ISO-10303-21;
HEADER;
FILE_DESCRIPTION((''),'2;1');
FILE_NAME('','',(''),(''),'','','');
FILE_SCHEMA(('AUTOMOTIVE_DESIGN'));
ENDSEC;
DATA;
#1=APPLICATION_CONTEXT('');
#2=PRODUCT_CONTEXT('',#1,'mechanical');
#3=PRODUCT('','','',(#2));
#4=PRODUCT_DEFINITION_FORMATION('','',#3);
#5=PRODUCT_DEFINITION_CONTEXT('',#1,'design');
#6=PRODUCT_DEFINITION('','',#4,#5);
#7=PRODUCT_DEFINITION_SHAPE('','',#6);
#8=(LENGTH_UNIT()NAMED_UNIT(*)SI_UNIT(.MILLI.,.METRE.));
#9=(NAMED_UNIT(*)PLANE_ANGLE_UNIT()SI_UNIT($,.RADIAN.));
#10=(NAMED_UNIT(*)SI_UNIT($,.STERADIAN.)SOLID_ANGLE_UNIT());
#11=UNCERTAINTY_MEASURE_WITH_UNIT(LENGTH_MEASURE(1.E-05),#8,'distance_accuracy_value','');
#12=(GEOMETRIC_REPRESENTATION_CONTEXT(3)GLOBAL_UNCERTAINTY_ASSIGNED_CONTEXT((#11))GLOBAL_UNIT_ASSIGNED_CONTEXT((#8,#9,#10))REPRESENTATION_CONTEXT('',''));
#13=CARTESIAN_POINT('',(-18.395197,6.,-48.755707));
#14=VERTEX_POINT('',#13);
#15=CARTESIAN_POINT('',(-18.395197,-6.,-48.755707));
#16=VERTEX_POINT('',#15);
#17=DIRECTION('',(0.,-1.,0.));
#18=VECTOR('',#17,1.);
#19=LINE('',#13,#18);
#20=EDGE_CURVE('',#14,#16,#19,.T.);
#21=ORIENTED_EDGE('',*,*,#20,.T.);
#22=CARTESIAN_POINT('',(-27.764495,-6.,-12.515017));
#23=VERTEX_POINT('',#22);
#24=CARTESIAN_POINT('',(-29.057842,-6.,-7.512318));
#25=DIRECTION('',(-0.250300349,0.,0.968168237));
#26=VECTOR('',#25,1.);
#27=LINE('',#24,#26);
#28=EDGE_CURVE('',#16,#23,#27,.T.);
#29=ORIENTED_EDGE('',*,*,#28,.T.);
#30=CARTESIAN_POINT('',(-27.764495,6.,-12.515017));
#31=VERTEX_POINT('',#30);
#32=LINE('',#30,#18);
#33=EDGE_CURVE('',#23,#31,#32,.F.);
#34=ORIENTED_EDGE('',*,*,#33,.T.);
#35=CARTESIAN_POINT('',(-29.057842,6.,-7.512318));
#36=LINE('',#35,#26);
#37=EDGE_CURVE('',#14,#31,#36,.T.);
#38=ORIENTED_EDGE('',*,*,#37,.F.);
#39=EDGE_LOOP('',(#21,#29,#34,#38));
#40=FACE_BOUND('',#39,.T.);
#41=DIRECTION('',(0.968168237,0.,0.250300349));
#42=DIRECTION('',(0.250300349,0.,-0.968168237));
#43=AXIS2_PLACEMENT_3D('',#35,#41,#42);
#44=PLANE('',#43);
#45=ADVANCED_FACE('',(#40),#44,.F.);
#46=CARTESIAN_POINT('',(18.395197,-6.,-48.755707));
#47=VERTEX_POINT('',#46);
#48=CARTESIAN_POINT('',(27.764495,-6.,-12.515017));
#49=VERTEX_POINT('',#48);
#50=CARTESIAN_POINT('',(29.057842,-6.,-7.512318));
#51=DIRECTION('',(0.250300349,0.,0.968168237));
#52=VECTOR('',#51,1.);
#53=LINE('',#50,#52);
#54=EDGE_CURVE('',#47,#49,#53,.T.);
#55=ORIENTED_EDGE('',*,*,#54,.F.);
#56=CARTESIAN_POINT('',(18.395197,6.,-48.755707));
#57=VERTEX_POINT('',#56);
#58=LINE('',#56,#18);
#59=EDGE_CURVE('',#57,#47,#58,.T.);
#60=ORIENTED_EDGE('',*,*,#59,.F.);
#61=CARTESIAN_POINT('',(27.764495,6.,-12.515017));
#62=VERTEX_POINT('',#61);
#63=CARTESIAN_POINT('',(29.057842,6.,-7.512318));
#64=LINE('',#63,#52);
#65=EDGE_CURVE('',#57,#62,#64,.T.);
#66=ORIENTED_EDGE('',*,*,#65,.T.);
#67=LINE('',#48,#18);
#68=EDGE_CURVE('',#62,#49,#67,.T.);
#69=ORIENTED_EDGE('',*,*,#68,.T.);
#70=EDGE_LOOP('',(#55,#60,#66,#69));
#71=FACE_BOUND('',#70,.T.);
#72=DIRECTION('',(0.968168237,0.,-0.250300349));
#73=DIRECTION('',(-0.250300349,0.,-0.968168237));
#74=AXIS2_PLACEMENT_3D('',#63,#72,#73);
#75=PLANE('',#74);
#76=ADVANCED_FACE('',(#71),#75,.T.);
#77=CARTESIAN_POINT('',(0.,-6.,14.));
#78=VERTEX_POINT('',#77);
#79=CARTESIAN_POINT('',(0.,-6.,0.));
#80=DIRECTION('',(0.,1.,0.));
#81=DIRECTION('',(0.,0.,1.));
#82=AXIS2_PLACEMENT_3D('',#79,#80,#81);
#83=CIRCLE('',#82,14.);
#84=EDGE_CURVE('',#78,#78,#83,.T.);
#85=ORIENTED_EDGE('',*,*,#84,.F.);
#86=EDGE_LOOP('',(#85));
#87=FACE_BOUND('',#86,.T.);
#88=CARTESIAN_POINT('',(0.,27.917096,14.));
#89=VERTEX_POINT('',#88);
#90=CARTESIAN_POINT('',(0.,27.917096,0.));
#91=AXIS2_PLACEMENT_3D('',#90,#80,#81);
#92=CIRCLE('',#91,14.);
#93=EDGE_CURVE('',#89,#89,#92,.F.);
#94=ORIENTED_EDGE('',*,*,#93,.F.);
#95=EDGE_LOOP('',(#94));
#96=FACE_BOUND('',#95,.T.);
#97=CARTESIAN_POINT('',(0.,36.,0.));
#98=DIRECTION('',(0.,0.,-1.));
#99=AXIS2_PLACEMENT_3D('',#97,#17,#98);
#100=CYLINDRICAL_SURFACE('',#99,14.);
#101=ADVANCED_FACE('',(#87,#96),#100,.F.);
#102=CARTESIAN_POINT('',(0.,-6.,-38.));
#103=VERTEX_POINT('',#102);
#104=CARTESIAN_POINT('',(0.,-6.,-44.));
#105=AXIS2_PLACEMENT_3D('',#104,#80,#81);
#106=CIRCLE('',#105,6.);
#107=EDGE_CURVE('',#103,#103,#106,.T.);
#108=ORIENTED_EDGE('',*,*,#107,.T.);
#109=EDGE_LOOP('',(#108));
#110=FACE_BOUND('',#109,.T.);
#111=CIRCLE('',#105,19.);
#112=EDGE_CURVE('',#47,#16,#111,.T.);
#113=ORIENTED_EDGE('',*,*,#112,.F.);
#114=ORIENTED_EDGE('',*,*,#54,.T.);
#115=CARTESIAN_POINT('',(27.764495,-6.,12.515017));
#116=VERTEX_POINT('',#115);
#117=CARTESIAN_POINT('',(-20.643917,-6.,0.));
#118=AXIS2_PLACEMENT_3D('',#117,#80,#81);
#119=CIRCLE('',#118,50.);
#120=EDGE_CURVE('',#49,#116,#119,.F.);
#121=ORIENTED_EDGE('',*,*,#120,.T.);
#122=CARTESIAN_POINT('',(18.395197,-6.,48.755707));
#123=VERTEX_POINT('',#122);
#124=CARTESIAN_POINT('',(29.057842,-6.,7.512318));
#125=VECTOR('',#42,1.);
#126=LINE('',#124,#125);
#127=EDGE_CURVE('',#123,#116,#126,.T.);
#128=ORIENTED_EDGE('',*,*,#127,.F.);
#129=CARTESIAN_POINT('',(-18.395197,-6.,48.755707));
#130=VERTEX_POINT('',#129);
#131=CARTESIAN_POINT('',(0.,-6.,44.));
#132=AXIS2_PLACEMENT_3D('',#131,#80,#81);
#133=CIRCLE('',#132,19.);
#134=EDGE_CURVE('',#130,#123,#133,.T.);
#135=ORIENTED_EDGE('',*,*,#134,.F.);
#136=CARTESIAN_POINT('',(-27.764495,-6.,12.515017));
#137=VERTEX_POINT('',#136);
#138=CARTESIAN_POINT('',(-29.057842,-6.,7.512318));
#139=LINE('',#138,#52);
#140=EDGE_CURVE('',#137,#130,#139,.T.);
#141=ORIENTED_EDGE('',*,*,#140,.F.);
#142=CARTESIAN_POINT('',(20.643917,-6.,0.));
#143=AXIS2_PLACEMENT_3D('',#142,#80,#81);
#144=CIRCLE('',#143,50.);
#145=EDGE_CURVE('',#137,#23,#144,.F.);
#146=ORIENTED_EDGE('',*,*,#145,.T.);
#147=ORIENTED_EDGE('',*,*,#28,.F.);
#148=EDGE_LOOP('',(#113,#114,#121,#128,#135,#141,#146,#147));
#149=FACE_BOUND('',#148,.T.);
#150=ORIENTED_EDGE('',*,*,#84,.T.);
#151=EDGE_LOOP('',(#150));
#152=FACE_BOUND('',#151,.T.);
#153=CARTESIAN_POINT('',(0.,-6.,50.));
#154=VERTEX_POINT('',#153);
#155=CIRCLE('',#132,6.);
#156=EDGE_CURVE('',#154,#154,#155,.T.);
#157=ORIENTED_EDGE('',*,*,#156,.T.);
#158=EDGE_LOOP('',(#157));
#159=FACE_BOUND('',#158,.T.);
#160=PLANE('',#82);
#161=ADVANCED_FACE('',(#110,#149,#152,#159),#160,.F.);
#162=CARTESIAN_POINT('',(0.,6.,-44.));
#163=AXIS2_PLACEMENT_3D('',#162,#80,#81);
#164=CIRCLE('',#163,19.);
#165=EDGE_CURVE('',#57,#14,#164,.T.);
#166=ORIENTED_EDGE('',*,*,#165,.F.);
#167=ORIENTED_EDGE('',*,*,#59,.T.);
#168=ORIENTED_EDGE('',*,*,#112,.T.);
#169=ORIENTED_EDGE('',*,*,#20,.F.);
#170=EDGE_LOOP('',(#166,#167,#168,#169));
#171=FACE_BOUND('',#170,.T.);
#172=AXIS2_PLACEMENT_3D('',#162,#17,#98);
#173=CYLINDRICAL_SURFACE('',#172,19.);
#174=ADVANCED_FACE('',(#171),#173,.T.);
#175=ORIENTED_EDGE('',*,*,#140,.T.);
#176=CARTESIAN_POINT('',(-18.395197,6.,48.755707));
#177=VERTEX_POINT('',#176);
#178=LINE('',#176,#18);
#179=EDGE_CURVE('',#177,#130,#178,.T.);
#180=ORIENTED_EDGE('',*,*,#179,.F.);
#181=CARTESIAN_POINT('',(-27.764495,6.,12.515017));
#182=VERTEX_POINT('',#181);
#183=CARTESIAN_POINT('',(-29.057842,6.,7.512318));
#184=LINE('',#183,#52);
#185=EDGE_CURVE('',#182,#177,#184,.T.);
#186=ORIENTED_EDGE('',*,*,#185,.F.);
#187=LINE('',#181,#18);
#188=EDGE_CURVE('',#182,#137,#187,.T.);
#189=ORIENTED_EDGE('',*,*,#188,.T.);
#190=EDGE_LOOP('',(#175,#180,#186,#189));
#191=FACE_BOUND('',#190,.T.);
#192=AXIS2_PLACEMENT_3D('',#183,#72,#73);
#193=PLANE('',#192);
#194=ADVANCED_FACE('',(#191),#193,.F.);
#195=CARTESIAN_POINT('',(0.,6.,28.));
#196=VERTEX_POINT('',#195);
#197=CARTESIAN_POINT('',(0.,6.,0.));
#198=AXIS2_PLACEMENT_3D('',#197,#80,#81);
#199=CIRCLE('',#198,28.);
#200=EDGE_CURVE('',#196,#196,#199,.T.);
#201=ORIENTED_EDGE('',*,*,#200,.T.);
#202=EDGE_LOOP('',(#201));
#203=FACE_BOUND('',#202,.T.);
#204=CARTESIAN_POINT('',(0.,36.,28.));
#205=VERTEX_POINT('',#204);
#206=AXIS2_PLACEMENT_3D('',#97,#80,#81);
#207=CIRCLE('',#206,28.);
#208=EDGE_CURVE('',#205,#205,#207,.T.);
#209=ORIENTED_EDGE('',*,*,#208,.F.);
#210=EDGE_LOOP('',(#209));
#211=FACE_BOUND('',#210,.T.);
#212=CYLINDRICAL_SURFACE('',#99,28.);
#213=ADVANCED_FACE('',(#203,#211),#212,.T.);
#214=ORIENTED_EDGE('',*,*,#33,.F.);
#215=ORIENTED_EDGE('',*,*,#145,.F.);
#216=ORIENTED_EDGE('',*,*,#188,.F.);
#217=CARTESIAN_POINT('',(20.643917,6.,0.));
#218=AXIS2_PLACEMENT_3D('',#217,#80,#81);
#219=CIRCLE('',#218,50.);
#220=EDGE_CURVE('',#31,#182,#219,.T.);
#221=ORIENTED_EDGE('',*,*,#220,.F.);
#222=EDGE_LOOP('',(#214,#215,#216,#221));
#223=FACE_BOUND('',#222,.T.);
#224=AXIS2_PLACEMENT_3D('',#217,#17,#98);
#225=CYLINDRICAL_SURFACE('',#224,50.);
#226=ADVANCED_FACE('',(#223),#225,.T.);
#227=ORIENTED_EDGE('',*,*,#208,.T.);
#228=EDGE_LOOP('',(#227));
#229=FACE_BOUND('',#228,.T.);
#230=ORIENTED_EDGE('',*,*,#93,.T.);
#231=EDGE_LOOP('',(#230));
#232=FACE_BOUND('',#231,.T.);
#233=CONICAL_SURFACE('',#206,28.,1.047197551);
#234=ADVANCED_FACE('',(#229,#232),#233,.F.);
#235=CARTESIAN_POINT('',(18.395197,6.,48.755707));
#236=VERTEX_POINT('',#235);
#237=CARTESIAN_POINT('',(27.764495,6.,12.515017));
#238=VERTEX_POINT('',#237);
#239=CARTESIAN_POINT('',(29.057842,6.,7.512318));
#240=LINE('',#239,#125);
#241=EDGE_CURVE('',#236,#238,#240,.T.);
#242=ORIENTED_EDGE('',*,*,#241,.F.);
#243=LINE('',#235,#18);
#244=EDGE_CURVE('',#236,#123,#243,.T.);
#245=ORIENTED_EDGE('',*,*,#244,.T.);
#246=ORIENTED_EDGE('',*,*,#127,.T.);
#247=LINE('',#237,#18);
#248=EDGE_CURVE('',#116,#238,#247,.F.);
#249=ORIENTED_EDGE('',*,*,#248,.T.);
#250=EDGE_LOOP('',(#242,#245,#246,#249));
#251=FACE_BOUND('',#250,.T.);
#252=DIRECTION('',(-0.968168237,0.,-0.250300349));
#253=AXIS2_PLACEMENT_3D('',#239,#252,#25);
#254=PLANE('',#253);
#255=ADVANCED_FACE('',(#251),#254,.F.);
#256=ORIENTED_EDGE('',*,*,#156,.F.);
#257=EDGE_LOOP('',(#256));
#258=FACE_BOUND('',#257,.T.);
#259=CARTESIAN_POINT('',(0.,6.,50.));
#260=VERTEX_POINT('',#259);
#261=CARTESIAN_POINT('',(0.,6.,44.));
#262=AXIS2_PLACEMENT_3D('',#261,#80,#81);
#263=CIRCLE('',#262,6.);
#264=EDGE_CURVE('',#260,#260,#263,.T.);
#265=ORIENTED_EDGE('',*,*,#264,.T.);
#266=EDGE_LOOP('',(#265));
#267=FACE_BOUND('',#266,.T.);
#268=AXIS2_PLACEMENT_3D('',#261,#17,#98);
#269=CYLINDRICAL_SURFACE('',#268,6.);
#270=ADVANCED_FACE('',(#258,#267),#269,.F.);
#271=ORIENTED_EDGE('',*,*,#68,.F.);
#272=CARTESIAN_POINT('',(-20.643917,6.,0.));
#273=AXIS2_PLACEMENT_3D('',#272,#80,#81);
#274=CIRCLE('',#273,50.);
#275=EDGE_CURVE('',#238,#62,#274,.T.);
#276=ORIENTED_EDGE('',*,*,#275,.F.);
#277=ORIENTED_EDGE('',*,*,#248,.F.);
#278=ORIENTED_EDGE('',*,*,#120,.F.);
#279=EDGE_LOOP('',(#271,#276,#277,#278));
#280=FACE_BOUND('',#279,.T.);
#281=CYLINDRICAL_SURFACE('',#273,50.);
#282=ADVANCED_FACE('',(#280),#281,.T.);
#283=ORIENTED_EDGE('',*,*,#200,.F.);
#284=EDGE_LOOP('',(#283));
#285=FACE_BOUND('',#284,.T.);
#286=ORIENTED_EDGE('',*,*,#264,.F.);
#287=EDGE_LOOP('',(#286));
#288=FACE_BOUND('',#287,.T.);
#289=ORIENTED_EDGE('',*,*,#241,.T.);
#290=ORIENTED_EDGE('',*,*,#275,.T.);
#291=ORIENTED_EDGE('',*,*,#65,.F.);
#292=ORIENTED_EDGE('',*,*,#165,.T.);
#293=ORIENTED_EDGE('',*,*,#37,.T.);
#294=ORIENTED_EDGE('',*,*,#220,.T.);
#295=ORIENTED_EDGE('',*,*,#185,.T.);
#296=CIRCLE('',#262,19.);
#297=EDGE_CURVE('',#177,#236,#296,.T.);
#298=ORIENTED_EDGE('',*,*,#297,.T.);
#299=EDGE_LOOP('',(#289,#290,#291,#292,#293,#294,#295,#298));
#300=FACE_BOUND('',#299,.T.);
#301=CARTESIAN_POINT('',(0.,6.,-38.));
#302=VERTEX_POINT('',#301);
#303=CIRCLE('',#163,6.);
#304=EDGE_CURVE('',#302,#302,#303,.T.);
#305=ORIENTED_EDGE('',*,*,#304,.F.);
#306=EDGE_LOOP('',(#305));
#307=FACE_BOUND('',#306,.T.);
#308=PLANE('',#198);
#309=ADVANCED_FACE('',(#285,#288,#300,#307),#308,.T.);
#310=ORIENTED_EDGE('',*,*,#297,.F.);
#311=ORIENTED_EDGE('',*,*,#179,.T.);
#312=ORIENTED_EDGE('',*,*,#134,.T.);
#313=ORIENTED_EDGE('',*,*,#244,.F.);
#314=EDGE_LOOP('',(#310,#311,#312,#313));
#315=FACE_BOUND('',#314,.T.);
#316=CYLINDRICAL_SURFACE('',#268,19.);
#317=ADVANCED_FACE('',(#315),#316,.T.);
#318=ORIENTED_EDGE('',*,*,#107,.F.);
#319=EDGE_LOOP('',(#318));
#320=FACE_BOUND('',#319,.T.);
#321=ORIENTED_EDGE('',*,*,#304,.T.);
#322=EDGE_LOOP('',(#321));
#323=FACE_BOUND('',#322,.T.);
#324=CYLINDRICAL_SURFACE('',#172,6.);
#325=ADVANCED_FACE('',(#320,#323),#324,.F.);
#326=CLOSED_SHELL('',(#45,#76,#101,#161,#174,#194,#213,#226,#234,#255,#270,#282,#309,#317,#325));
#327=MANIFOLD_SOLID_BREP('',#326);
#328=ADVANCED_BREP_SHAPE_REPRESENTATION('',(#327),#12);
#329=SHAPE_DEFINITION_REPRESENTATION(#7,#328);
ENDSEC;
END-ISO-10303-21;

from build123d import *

# Parameters (mm, degrees)
SKETCH1_R           = 6
BOSS_EXTRUDE1_DEPTH = 6
FILLET1_R           = 50
SKETCH4_R           = 28
SKETCH4_R_2         = 14
BOSS_EXTRUDE3_DEPTH = 30
SKETCH4_2_R         = 14
CUT_EXTRUDE1_DEPTH  = 76.701912882


with BuildPart() as part:
    # Sketch1 → Boss-Extrude1 (new, symmetric)
    with BuildSketch(Plane(origin=(0, 0, 0), x_dir=(1, 0, 0), z_dir=(0, 1, 0))):
        with BuildLine():
            ThreePointArc((18.395196505, 48.755706629), (0, 63), (-18.395196505, 48.755706629))
            Line((-18.395196505, 48.755706629), (-31, 0))
            Line((-31, 0), (-18.395196505, -48.755706629))
            ThreePointArc((-18.395196505, -48.755706629), (0, -63), (18.395196505, -48.755706629))
            Line((18.395196505, -48.755706629), (31, 0))
            Line((31, 0), (18.395196505, 48.755706629))
        make_face()
        with Locations((0, 44)):
            Circle(SKETCH1_R, mode=Mode.SUBTRACT)
        with Locations((0, -44)):
            Circle(SKETCH1_R, mode=Mode.SUBTRACT)
    extrude(amount=BOSS_EXTRUDE1_DEPTH, both=True)

    # Fillet1
    fillet1_edges = [part.edges().sort_by_distance(p)[0] for p in [
        (-31, 0, 0),
        (31, 0, 0),
    ]]
    fillet(fillet1_edges, radius=FILLET1_R)

    # Sketch4 → Boss-Extrude3 (add)
    with BuildSketch(Plane(origin=(0, 6, 0), x_dir=(1, 0, 0), z_dir=(0, 1, 0))):
        Circle(SKETCH4_R)
        Circle(SKETCH4_R_2, mode=Mode.SUBTRACT)
    extrude(amount=BOSS_EXTRUDE3_DEPTH)

    # Sketch4<2> → Cut-Extrude1 (cut, through all)
    with BuildSketch(Plane(origin=(0, 6, 0), x_dir=(1, 0, 0), z_dir=(0, 1, 0))):
        Circle(SKETCH4_2_R)
    extrude(amount=-CUT_EXTRUDE1_DEPTH, mode=Mode.SUBTRACT)

    # Cut-Extrude3 cone 1 section (through the dimple's axis) → Cut-Extrude3 (revolve, cut)
    with BuildSketch(Plane(origin=(0, 36, 0), x_dir=(0, 0, 1), z_dir=(1, 0, 0))):
        Polygon((0, 0), (28, 0), (0, 16.165807537), align=None)
    revolve(axis=Axis((0, 36, 0), (0, -1, 0)), mode=Mode.SUBTRACT)


solid = part.part
